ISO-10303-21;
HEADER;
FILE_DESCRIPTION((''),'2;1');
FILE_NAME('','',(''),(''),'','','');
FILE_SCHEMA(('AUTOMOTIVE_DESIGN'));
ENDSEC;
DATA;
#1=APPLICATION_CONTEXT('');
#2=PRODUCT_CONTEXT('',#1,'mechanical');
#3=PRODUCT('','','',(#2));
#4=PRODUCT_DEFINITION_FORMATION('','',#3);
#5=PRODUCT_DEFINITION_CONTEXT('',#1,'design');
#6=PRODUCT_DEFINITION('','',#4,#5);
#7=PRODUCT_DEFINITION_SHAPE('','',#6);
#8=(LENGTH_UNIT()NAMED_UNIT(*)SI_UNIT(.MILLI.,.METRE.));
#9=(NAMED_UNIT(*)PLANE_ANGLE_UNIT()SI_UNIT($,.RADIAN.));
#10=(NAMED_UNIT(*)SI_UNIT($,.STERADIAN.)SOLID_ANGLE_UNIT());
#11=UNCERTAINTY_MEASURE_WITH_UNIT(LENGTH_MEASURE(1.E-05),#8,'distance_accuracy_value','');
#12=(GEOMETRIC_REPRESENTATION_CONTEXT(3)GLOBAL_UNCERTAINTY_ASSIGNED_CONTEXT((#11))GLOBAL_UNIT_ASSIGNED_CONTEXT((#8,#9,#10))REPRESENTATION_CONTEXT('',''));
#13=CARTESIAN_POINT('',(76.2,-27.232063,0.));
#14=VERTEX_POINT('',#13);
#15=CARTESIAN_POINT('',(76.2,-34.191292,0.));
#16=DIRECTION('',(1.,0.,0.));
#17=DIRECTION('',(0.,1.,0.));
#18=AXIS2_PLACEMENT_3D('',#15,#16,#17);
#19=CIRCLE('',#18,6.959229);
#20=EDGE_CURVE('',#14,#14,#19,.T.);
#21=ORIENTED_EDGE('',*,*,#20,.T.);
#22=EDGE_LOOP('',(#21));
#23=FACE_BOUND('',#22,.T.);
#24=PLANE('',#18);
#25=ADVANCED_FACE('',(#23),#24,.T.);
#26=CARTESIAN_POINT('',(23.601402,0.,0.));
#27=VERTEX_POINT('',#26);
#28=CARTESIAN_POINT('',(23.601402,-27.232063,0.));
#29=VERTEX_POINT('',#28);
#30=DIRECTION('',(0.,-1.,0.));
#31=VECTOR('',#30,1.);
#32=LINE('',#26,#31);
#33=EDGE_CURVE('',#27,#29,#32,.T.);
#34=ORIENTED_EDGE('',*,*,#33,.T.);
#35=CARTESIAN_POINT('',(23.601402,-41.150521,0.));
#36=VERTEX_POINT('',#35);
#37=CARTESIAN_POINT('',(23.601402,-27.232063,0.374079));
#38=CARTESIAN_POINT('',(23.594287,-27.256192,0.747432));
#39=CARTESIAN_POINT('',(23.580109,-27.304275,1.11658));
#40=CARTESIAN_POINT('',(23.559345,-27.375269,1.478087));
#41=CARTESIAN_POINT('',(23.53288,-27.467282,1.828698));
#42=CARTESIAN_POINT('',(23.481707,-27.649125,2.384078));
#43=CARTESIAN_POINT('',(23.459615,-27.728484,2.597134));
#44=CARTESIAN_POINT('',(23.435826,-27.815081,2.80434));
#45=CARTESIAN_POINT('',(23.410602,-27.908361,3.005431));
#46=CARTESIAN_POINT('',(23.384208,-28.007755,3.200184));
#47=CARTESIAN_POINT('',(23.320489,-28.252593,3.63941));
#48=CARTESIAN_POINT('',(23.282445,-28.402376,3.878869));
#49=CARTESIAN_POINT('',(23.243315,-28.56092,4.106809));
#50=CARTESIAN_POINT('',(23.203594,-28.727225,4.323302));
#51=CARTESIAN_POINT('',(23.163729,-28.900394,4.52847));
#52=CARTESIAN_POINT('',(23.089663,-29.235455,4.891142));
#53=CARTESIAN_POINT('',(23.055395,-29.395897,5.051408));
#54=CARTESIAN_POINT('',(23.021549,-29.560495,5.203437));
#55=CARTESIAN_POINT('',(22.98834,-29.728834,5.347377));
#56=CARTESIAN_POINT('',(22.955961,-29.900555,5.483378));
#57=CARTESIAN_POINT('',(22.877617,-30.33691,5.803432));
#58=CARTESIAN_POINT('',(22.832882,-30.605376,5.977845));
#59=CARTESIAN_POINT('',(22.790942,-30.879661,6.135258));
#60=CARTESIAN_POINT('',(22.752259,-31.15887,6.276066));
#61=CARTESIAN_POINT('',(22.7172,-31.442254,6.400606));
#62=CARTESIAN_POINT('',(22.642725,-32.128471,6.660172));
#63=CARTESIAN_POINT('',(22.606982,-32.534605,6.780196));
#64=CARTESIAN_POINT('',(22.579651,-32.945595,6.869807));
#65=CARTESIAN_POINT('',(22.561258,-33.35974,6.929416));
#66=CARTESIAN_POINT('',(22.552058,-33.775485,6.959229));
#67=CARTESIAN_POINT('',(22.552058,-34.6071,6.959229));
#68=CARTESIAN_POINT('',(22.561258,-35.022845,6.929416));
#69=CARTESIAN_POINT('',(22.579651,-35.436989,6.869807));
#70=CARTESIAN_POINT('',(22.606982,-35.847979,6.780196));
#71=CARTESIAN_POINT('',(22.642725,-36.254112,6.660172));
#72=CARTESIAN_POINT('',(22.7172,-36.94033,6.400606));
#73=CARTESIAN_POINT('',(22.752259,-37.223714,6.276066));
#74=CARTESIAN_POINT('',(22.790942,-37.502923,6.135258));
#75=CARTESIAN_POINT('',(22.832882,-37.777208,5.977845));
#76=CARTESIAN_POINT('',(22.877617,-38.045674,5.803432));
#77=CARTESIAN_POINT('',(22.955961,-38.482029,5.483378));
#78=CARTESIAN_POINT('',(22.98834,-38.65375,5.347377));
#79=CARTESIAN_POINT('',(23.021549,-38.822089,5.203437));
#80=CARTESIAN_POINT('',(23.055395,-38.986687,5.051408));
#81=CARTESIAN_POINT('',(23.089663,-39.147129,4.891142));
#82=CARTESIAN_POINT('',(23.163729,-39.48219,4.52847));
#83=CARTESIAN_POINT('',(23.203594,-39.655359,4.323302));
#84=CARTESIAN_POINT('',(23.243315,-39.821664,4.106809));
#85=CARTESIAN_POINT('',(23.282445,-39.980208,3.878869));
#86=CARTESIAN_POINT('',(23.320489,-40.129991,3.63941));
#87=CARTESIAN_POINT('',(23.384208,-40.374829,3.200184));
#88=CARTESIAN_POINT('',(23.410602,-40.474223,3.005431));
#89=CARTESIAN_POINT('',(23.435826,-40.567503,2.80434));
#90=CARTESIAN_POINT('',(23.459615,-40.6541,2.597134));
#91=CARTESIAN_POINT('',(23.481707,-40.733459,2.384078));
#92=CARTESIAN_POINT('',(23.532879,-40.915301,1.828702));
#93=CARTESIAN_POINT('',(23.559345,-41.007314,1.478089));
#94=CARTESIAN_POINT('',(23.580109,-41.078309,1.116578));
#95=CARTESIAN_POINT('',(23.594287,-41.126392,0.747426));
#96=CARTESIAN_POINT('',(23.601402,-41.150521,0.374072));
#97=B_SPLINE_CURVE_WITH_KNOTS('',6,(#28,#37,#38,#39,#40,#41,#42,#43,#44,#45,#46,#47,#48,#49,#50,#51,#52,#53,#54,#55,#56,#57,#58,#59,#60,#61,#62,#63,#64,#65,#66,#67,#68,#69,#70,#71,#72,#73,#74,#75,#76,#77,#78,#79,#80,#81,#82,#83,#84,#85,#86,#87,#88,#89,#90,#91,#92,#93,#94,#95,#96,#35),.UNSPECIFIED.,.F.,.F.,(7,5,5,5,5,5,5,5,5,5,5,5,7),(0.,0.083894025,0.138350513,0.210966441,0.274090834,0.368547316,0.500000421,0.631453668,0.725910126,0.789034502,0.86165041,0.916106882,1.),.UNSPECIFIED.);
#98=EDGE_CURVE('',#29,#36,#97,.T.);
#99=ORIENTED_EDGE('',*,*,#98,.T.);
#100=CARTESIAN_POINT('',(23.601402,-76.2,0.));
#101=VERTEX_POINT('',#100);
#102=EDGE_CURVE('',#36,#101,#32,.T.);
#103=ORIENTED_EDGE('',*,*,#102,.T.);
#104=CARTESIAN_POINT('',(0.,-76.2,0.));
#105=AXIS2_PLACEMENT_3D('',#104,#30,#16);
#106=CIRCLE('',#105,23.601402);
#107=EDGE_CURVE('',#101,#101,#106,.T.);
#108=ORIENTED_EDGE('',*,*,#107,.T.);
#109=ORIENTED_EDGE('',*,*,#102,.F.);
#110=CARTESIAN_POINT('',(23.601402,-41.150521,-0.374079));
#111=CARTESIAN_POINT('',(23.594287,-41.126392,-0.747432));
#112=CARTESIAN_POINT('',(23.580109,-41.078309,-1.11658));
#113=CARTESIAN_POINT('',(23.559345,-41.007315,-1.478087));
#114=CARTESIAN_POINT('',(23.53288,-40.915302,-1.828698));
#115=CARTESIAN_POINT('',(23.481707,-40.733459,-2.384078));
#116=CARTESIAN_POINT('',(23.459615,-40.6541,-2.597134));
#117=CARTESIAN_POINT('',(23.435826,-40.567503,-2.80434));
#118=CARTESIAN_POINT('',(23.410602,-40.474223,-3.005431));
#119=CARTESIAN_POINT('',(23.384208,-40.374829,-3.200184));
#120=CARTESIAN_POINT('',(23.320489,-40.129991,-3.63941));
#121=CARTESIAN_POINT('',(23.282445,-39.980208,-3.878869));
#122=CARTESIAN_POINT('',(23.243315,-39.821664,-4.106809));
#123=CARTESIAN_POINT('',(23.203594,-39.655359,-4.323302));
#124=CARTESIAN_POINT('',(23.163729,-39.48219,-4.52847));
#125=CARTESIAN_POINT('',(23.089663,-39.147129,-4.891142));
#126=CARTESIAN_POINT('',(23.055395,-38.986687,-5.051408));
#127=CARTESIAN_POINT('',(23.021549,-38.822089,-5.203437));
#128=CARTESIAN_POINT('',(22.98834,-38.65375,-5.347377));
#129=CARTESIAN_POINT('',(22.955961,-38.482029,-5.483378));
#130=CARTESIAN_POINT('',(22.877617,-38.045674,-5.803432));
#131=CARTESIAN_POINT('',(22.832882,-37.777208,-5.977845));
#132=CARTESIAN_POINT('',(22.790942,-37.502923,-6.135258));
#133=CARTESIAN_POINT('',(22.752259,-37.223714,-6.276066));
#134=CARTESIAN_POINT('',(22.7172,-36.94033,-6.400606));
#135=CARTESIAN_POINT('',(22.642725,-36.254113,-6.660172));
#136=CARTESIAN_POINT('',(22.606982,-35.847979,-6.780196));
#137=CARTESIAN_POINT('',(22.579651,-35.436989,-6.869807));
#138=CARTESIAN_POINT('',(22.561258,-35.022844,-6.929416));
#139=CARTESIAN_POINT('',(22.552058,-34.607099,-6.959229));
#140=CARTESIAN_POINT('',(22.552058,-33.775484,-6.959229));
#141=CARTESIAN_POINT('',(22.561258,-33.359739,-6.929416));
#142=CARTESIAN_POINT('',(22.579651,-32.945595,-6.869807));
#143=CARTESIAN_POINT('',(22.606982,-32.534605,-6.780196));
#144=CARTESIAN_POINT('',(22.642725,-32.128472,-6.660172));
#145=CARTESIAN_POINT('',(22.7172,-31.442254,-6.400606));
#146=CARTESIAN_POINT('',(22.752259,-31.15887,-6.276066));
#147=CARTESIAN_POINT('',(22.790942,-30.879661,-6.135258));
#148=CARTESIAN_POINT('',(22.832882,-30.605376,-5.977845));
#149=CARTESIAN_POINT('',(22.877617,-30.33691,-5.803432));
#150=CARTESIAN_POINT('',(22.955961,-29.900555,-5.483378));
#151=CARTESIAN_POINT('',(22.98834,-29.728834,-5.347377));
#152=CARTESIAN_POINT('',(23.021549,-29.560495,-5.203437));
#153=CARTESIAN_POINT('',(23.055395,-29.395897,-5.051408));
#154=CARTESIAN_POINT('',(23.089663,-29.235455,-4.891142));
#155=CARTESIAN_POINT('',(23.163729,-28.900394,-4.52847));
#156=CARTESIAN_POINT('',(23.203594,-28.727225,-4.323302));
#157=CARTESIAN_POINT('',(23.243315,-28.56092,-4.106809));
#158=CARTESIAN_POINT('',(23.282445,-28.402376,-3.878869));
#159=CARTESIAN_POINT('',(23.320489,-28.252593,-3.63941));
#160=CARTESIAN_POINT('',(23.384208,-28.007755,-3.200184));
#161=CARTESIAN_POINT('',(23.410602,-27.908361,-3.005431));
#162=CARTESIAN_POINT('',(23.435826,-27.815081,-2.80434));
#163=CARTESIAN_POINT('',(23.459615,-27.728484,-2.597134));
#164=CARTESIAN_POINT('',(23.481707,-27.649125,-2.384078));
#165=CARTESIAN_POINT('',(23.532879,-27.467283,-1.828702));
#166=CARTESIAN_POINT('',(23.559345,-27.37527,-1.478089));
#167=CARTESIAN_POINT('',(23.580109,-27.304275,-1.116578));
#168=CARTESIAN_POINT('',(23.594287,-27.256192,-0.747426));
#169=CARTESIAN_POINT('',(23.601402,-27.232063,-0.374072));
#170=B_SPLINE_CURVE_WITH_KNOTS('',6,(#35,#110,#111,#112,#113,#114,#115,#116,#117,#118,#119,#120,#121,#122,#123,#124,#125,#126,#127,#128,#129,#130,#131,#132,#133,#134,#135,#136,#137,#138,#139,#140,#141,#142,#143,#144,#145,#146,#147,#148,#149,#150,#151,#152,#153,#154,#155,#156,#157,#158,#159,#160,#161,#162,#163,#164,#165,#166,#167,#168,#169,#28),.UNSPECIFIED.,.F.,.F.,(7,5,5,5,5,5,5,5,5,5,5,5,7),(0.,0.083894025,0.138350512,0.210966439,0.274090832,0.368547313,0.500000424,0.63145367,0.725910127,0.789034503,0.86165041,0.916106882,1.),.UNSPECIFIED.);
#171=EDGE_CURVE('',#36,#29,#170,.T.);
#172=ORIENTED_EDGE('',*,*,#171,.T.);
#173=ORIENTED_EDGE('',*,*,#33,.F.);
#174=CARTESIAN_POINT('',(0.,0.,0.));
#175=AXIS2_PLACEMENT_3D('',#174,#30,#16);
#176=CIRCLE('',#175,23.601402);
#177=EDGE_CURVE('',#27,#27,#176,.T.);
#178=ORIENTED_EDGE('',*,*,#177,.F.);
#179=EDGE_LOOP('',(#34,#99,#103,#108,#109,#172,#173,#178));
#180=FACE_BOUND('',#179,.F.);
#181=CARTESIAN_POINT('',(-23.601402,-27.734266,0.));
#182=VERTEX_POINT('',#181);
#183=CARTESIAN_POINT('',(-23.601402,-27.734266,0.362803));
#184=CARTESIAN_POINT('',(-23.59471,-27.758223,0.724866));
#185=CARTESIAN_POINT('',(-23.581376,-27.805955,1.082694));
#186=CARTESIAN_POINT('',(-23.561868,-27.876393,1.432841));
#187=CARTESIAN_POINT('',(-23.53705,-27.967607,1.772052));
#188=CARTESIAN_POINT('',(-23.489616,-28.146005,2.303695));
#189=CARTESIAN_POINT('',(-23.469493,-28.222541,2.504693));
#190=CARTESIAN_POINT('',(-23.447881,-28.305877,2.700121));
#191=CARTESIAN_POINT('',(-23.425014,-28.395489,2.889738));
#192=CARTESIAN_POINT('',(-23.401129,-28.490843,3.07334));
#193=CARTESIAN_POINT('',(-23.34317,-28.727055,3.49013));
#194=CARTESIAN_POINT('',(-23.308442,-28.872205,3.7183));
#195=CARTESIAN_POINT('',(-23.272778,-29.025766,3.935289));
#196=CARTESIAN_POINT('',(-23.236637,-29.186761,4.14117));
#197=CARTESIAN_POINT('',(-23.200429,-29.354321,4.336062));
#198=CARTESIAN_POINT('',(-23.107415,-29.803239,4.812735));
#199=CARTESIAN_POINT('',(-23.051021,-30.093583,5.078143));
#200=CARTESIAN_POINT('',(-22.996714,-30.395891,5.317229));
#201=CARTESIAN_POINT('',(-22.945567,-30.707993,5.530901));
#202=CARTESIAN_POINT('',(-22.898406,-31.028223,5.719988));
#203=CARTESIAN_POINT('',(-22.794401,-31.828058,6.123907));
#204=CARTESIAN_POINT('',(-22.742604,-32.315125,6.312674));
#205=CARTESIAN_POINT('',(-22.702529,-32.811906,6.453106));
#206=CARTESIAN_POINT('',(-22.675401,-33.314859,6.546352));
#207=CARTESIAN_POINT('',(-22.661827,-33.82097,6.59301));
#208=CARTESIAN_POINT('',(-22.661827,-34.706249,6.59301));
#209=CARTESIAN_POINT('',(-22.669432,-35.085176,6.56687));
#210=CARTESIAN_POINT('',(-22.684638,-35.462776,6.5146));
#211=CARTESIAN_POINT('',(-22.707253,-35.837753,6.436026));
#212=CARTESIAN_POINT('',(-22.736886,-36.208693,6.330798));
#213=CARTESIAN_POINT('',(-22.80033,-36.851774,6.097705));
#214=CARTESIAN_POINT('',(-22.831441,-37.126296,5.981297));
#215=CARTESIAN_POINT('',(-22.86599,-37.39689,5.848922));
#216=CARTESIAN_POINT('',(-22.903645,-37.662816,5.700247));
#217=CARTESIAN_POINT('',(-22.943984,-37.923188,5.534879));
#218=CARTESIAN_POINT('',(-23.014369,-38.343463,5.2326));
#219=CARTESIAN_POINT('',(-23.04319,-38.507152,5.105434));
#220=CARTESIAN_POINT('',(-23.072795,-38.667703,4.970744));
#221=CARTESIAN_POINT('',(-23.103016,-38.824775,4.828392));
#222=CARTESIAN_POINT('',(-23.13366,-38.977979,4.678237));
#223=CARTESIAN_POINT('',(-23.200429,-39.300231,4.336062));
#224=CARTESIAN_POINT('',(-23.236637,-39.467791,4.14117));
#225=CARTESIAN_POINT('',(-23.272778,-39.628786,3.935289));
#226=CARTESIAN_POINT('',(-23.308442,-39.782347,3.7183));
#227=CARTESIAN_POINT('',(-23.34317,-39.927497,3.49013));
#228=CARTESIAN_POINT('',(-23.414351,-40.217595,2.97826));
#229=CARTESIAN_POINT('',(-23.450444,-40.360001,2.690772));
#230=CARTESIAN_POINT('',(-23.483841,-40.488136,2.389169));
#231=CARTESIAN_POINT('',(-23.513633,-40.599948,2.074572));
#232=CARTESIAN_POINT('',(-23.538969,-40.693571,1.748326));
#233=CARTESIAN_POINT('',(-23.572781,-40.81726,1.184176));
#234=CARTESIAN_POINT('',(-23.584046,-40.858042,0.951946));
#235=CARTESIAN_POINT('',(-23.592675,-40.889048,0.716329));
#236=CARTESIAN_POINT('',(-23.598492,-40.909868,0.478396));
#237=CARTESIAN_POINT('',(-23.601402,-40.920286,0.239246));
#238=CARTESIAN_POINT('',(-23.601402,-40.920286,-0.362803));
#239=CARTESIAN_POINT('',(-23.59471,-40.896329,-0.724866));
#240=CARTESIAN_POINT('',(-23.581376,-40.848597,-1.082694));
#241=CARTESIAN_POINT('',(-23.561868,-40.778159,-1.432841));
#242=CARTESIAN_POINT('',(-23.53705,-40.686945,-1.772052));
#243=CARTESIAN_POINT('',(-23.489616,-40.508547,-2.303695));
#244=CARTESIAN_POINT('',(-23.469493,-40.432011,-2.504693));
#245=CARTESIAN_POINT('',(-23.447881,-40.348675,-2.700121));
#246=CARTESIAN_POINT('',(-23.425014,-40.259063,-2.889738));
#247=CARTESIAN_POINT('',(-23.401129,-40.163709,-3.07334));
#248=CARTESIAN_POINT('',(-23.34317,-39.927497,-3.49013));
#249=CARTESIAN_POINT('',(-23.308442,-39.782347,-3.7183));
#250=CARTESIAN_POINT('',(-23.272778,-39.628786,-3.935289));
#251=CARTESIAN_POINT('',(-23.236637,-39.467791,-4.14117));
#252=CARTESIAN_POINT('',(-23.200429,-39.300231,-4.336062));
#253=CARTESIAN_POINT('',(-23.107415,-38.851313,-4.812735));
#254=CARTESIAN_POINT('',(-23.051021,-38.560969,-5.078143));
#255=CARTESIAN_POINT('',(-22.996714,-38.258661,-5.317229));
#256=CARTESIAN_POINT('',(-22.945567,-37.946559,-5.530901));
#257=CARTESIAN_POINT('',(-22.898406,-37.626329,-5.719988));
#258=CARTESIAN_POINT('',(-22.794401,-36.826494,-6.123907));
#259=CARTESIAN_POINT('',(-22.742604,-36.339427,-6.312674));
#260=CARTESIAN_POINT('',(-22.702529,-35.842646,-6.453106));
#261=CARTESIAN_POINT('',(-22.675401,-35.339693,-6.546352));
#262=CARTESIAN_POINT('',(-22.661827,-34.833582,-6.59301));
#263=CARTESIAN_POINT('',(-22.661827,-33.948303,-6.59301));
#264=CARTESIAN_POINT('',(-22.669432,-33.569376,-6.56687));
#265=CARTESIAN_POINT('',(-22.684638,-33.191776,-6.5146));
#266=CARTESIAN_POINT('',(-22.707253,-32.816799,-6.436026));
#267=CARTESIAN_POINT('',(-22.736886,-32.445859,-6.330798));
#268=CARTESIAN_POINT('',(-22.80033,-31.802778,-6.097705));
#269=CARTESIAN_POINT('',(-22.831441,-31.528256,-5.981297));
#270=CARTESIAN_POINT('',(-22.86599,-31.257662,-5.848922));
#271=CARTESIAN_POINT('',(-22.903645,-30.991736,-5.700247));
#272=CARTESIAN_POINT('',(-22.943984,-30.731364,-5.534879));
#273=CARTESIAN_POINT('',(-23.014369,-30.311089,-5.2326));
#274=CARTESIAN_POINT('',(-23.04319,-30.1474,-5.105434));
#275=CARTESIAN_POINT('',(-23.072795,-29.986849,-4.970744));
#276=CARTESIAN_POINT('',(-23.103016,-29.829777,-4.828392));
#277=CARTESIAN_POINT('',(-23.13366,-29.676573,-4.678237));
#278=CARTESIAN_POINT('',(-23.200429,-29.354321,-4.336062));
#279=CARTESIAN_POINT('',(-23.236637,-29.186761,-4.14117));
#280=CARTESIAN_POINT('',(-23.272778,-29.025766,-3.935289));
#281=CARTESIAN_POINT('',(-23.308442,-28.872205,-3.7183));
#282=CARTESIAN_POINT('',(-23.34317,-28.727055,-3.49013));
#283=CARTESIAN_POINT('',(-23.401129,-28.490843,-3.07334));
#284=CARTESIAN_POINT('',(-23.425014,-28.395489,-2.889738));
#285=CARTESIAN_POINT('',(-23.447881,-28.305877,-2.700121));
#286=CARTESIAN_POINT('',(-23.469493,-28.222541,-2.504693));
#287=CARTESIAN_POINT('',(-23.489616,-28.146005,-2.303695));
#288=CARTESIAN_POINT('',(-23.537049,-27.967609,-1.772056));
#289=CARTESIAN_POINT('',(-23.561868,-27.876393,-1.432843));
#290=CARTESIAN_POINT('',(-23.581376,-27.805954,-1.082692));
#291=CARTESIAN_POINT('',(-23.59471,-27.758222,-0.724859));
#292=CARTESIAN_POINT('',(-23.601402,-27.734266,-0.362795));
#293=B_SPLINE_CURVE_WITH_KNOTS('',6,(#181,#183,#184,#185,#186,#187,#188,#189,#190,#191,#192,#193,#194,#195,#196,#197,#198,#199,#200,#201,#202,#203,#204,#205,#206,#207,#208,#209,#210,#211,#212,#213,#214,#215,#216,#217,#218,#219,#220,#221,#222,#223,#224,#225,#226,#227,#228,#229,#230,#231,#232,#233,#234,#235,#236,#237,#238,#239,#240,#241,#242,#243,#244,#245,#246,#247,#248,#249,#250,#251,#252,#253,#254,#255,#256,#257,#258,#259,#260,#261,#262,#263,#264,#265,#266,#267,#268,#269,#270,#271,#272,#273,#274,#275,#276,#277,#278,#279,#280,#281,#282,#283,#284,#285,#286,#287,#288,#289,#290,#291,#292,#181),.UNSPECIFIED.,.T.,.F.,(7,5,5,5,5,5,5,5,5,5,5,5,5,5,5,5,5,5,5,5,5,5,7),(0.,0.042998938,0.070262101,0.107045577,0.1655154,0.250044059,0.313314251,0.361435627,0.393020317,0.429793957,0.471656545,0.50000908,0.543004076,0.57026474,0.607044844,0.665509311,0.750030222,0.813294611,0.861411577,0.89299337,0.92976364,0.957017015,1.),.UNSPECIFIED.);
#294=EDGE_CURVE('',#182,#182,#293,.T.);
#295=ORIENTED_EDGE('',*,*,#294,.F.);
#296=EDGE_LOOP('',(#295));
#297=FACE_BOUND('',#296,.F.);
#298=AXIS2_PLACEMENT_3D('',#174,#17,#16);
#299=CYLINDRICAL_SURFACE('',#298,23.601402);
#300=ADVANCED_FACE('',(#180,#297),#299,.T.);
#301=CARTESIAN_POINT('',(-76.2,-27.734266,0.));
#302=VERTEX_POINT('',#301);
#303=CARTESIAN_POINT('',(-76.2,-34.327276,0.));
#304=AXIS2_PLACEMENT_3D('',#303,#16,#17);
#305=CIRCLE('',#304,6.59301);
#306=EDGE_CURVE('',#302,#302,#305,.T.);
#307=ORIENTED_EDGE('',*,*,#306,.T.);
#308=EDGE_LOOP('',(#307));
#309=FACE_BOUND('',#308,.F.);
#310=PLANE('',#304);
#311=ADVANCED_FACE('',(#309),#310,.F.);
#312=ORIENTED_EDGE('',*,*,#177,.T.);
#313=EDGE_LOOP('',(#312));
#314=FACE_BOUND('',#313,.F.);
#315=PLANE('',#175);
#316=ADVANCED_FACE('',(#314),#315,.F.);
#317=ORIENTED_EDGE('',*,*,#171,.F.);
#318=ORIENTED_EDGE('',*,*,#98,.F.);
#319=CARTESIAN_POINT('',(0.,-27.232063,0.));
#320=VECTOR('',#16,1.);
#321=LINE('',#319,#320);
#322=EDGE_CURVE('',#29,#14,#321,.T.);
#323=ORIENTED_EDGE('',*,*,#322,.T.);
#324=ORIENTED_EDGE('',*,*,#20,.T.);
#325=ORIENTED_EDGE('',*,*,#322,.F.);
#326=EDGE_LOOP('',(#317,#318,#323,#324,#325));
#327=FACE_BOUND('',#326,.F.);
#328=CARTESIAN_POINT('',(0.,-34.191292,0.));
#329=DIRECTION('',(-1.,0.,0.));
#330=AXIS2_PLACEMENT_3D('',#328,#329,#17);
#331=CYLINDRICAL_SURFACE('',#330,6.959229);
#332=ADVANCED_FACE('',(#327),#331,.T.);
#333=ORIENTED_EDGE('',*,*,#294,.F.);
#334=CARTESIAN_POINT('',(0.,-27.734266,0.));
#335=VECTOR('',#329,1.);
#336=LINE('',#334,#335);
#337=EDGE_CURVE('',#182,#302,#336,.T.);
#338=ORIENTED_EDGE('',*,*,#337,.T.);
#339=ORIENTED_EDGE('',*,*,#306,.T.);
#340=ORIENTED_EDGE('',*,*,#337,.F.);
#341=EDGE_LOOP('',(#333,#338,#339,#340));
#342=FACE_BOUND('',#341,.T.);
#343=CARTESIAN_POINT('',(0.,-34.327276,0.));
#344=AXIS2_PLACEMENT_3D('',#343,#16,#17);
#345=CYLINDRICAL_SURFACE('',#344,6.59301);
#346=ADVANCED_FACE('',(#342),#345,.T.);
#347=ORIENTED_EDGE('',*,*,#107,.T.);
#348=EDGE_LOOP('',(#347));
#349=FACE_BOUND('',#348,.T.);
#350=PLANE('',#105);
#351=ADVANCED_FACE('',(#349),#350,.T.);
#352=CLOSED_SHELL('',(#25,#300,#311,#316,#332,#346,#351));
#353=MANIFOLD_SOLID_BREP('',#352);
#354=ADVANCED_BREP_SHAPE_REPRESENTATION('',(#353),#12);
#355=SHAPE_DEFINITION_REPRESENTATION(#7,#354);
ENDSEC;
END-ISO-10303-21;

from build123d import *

# Parameters (mm, degrees)
F0_R     = 23.601402
F1_DEPTH = 76.2
F2_R     = 6.959229
F3_DEPTH = 76.2
F4_R     = 6.59301
F5_DEPTH = 76.2


with BuildPart() as f1:
    # F0 (on Front) → F1 (new body)
    with BuildSketch(Plane.XZ):
        Circle(F0_R)
    extrude(amount=F1_DEPTH)

    # F2 (on Right) → F3 (join)
    with BuildSketch(Plane.YZ):
        with Locations((-34.191292, 0)):
            Circle(F2_R)
    extrude(amount=F3_DEPTH)

    # F4 (on Right) → F5 (join)
    with BuildSketch(Plane.YZ):
        with Locations((-34.327276, 0)):
            Circle(F4_R)
    extrude(amount=-F5_DEPTH)


solid = f1.part
